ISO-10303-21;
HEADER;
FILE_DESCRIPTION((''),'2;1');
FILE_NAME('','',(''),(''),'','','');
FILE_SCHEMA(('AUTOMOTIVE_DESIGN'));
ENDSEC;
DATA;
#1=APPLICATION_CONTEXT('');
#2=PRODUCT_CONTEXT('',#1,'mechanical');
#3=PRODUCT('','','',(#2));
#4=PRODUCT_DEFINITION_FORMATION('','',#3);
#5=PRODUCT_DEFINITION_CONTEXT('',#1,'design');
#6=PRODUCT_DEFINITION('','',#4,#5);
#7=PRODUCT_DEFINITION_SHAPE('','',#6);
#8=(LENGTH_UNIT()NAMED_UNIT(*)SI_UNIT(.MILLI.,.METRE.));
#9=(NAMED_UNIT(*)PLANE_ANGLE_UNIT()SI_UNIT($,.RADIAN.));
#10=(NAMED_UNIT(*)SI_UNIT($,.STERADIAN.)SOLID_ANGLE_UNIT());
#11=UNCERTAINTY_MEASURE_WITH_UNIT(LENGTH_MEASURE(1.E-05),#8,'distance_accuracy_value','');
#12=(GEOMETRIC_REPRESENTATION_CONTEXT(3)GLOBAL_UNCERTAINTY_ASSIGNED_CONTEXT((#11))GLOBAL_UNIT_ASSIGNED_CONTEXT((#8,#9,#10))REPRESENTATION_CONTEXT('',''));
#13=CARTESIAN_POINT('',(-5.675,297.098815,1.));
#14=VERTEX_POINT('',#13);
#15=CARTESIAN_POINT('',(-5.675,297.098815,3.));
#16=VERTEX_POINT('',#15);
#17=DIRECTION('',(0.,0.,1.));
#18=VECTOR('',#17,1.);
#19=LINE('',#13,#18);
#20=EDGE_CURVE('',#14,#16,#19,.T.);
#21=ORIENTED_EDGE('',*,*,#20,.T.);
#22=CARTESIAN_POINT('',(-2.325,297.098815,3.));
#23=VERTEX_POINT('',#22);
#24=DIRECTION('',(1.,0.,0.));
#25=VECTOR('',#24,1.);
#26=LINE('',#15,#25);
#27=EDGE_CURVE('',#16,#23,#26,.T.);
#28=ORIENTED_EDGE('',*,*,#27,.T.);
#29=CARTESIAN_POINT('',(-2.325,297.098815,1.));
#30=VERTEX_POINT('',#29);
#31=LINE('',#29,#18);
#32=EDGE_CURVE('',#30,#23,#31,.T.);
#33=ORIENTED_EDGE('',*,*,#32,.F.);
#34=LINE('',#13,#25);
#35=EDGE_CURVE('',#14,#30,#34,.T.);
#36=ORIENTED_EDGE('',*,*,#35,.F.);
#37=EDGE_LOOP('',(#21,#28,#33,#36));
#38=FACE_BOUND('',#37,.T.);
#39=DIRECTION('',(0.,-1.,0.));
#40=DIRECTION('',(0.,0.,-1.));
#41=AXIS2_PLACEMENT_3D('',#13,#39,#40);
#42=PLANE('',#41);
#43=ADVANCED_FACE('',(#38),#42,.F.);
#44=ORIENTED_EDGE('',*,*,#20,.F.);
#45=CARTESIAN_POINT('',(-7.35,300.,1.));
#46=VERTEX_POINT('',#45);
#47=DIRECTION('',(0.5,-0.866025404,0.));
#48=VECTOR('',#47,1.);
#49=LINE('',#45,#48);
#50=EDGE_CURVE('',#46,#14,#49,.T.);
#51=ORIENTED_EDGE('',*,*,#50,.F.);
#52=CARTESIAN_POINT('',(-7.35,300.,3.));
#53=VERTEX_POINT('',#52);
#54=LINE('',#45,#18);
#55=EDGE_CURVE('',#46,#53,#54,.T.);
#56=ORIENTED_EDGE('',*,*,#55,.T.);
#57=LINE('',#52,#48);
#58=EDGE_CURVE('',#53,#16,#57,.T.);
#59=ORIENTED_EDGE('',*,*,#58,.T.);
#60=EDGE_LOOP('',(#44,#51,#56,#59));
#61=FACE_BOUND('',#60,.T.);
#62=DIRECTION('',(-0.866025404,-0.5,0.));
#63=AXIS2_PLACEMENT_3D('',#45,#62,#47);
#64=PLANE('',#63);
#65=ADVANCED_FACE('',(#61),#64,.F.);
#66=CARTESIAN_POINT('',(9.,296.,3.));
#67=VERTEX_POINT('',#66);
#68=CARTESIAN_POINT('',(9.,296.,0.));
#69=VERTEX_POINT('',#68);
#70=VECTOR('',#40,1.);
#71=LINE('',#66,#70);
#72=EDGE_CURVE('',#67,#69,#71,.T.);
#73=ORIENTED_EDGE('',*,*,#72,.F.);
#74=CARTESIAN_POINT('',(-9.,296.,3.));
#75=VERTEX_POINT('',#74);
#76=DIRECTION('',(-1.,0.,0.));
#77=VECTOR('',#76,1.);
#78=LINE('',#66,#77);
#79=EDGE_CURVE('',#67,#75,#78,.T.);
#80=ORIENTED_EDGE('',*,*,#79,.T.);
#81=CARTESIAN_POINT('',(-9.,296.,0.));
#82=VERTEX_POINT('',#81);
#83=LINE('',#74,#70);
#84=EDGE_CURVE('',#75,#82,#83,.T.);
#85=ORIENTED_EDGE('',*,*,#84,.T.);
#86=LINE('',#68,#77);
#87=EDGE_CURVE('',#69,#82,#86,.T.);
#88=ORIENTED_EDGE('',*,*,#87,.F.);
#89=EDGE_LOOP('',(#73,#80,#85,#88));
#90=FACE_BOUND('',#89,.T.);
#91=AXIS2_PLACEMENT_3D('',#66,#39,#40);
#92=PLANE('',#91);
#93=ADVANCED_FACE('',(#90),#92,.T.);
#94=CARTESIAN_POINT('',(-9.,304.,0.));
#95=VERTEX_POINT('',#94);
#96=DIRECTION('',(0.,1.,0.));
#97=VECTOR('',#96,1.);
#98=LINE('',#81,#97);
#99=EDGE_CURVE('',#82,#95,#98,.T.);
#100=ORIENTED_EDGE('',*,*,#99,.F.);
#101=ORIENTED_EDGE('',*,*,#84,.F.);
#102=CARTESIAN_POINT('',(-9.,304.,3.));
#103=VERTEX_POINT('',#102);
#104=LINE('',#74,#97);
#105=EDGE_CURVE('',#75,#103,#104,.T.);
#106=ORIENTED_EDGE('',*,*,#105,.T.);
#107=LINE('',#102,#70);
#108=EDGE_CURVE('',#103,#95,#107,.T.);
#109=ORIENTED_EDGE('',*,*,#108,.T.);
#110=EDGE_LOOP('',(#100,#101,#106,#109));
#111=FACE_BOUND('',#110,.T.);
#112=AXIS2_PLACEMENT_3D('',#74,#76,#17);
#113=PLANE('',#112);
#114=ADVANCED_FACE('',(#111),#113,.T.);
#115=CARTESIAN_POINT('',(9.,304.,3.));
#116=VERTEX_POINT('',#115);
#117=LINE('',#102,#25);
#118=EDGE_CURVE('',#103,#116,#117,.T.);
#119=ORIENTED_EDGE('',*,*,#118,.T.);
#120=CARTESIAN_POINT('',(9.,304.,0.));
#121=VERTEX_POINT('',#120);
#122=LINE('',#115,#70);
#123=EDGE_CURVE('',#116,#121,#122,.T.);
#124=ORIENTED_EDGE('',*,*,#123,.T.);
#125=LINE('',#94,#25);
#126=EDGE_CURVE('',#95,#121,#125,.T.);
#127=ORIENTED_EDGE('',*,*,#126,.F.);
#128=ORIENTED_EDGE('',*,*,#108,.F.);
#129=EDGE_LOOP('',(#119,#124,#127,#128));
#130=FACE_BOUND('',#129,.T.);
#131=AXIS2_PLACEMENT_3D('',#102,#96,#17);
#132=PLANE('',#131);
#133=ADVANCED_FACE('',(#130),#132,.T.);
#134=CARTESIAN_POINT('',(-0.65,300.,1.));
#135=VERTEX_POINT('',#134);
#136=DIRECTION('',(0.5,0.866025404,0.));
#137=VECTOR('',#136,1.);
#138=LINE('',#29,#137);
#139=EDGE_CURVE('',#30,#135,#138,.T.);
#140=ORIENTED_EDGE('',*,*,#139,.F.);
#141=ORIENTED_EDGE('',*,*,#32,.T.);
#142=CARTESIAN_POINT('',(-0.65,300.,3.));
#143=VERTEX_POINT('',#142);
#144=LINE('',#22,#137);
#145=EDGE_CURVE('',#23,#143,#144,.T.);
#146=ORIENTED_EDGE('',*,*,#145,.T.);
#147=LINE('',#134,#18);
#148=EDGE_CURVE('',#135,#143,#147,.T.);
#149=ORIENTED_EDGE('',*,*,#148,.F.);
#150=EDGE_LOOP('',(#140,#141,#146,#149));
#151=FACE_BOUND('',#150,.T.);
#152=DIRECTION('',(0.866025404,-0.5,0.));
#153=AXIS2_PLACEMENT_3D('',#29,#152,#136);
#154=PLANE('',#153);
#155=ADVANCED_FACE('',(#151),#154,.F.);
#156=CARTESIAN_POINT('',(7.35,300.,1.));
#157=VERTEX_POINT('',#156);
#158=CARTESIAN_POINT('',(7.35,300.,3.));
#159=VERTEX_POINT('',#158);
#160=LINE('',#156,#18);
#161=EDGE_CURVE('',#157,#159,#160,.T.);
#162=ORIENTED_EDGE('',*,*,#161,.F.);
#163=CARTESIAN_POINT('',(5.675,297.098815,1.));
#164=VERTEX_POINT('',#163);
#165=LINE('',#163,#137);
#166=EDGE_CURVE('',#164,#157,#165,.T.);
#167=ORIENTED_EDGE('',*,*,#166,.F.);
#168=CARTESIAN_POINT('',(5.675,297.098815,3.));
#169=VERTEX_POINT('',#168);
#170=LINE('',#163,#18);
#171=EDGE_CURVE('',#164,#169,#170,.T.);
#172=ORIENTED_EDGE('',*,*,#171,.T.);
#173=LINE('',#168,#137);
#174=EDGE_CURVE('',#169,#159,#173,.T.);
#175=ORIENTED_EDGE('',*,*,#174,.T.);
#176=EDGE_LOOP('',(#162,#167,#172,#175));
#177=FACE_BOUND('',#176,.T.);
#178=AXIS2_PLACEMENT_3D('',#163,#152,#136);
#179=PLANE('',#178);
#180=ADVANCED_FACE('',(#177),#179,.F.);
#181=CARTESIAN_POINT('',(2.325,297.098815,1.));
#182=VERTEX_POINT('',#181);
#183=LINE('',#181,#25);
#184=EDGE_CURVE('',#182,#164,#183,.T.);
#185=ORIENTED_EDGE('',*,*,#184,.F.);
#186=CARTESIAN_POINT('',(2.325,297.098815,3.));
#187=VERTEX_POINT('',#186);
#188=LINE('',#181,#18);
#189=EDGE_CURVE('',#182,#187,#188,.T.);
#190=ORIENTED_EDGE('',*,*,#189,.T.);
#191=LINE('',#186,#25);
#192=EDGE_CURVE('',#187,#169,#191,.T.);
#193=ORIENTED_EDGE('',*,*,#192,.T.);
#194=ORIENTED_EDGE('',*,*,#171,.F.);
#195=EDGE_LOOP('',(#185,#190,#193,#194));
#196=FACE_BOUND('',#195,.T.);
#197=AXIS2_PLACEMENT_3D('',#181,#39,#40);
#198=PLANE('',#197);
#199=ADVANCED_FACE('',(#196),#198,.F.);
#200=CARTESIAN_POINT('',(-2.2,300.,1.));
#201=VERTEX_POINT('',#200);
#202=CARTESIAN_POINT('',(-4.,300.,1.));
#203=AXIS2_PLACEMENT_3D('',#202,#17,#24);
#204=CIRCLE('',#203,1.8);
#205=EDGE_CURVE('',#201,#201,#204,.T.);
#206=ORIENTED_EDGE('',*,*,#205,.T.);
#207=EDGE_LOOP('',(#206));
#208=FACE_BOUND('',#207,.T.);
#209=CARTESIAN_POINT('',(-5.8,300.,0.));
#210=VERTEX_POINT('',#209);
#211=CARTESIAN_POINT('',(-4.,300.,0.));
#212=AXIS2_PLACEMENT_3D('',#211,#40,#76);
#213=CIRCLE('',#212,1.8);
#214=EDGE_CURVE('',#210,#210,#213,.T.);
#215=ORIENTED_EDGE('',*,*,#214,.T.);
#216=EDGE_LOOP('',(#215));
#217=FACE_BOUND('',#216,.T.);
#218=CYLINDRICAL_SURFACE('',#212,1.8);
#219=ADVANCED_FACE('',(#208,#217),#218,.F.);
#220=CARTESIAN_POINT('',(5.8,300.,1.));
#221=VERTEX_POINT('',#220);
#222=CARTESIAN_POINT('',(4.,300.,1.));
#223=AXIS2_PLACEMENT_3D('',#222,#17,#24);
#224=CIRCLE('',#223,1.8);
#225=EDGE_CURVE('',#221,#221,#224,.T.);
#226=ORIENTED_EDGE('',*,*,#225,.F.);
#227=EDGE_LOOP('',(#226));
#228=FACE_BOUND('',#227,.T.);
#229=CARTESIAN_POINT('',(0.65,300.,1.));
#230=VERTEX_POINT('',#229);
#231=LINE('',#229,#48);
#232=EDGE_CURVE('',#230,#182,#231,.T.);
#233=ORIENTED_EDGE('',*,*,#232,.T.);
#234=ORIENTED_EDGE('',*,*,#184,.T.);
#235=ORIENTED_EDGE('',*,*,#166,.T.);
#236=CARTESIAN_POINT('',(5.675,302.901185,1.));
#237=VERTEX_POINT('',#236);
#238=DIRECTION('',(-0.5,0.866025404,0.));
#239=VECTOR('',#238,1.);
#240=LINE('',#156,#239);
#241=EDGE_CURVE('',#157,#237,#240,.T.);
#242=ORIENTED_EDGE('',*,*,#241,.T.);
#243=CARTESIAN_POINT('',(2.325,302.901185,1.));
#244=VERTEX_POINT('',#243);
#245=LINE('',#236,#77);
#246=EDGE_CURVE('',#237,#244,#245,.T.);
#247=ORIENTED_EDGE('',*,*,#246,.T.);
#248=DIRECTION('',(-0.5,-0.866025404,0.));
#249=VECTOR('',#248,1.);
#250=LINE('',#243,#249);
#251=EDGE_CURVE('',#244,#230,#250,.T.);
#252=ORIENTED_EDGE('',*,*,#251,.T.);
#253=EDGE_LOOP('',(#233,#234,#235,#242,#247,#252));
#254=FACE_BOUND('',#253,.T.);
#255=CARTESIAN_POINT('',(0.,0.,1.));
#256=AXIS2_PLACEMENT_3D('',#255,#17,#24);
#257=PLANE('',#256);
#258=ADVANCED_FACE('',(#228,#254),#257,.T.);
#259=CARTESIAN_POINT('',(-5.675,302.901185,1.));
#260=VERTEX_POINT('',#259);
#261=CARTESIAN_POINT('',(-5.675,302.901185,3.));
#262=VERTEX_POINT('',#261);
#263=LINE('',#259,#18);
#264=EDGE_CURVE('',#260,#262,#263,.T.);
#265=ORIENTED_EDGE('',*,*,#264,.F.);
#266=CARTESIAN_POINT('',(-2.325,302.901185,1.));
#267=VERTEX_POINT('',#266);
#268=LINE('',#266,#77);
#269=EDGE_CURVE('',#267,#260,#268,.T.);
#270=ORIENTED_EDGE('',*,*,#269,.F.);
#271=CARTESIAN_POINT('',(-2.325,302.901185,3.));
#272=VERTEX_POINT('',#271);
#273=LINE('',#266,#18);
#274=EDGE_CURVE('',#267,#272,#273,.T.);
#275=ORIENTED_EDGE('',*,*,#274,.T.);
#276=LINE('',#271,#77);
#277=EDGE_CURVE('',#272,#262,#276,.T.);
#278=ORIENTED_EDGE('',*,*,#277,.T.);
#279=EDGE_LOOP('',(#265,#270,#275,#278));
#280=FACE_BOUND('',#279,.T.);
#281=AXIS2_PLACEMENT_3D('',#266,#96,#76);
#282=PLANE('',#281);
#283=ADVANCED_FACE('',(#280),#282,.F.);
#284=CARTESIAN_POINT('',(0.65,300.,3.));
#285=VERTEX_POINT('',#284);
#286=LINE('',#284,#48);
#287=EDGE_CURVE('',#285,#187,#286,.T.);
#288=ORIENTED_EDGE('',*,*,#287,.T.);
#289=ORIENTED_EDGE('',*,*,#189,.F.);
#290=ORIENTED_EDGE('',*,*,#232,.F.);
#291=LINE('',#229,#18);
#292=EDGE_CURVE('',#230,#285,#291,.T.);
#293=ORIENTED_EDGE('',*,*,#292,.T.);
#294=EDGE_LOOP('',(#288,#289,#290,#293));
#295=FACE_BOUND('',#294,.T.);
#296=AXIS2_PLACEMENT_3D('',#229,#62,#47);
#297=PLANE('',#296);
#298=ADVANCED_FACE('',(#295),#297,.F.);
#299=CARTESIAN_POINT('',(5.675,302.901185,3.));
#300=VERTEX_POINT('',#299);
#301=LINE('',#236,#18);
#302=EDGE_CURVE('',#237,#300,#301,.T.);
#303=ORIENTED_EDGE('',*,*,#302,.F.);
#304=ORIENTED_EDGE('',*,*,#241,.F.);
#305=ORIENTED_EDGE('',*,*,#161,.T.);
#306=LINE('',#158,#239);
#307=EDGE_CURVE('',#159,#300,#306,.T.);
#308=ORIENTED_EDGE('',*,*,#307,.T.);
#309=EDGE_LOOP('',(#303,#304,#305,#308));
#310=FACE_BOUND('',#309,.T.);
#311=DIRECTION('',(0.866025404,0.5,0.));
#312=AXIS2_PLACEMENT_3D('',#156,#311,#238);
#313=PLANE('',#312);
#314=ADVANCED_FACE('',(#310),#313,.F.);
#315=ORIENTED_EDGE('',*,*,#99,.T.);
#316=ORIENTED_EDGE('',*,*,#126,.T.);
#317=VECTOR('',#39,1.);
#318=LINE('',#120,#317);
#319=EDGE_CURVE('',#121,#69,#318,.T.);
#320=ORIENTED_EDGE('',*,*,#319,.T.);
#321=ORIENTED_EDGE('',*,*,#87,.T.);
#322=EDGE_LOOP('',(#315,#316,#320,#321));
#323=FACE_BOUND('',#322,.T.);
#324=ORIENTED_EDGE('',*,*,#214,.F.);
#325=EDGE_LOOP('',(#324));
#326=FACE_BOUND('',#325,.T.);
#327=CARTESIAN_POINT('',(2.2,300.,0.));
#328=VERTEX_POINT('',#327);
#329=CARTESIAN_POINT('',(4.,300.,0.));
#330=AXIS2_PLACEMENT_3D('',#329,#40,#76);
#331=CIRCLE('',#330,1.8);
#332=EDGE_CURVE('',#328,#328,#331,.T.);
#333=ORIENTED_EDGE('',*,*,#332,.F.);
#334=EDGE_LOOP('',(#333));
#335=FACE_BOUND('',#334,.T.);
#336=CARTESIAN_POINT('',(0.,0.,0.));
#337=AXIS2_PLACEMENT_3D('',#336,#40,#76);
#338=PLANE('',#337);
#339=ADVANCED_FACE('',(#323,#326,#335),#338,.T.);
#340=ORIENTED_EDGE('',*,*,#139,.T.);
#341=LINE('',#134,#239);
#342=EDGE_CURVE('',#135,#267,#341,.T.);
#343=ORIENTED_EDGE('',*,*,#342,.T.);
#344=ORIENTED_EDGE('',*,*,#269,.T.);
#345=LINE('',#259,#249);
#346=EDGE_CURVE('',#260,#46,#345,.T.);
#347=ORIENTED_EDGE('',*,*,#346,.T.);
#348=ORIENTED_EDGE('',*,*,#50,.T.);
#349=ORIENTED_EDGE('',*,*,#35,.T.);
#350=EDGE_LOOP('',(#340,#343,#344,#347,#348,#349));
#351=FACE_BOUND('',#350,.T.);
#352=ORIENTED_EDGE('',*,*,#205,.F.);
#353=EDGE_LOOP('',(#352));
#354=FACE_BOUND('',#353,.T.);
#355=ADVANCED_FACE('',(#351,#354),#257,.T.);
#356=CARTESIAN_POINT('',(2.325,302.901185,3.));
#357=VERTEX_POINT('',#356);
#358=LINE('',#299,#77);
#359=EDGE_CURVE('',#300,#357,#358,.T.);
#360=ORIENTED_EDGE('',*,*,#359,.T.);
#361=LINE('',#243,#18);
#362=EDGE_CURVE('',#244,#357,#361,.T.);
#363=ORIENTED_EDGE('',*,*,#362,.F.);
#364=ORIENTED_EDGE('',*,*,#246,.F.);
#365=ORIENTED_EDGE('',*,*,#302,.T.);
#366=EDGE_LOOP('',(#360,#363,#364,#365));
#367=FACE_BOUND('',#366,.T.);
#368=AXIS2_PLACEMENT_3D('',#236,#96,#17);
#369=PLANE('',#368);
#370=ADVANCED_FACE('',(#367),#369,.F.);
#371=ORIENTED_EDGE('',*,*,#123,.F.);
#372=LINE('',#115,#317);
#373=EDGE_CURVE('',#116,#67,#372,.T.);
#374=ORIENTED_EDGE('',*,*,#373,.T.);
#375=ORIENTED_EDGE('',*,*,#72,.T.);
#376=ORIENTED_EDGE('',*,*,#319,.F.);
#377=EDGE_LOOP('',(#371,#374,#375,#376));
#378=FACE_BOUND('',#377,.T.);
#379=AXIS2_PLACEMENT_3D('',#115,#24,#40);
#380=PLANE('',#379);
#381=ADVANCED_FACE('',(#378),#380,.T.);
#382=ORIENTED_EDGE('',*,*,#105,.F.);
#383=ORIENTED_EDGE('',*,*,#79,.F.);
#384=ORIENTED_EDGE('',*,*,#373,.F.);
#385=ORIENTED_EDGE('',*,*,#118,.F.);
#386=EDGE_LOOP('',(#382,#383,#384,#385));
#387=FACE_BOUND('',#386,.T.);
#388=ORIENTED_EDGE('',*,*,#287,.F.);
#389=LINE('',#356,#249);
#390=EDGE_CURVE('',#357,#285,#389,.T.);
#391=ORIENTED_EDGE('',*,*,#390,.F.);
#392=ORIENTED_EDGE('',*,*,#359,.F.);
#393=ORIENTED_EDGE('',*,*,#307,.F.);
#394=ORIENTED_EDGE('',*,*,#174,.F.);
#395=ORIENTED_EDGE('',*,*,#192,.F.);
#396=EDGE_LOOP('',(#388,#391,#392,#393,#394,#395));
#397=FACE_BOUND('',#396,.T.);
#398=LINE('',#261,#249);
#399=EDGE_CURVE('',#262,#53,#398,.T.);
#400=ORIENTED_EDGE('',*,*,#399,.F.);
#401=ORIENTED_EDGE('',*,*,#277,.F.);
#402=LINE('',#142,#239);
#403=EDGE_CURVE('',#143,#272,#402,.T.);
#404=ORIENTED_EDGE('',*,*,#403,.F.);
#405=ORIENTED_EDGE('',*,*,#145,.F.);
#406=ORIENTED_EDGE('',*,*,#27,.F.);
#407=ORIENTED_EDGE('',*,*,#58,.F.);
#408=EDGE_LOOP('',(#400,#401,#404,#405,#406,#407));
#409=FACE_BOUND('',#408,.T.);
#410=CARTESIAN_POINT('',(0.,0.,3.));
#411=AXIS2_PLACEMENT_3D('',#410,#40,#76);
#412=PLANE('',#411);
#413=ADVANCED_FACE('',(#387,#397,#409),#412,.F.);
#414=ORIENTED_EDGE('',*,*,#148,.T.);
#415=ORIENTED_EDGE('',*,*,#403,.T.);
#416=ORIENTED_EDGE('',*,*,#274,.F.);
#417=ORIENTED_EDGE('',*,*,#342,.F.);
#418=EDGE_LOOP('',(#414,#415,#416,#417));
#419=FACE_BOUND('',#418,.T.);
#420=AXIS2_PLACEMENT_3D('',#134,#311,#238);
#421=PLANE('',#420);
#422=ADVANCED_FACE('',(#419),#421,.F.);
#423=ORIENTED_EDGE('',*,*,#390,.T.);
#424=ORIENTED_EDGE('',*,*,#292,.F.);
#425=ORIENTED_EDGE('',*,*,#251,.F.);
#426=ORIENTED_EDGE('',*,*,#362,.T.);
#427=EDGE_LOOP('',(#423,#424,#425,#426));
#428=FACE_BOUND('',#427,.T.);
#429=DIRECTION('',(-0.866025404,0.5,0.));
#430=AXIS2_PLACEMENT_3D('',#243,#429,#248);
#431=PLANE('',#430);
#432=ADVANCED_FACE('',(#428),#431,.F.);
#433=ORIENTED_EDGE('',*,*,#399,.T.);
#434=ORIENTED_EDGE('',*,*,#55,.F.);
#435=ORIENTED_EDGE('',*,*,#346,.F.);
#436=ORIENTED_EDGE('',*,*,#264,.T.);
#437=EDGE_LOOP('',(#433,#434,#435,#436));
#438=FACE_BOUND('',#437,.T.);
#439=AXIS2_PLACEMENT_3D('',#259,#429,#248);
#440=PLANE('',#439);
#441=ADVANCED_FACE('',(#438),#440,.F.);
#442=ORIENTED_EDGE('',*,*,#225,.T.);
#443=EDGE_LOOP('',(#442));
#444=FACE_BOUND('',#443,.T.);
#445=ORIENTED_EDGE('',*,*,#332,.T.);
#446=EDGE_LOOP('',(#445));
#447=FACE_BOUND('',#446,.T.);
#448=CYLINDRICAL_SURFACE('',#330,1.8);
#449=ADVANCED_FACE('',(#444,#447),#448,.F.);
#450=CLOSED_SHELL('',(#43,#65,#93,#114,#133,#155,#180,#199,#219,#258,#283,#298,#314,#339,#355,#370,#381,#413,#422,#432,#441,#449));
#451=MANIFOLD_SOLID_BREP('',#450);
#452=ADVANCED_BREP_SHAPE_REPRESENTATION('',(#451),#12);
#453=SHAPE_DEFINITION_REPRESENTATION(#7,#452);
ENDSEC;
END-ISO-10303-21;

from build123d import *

# Parameters (mm, degrees)
SKETCH_1_W                  = 18
SKETCH_1_H                  = 8
EXTRUDE_1_DEPTH             = 3
CUT_EXTRUDE_1_DEPTH         = 2
CUT_EXTRUDE_2_DEPTH         = 2
HOLE_WIZARD_3_6_3_6_1_D     = 3.6
HOLE_WIZARD_3_6_3_6_1_DEPTH = 3


with BuildPart() as part:
    # 草图1 → 凸台-拉伸1 (new body)
    with BuildSketch(Plane(origin=(0, 0, 0), x_dir=(-1, 0, 0), z_dir=(0, 0, -1))):
        with Locations((0, 300)):
            Rectangle(SKETCH_1_W, SKETCH_1_H)
    extrude(amount=-EXTRUDE_1_DEPTH)

    # 草图2 → 切除-拉伸1 (cut)
    with BuildSketch(Plane.XY.offset(3)):
        Polygon((-0.65, 300), (-2.325, 302.901185103), (-5.675, 302.901185103), (-7.35, 300), (-5.675, 297.098814897), (-2.325, 297.098814897), align=None)
    extrude(amount=-CUT_EXTRUDE_1_DEPTH, mode=Mode.SUBTRACT)

    # 草图3 → 切除-拉伸2 (cut)
    with BuildSketch(Plane.XY.offset(3)):
        Polygon((5.675, 297.098814897), (7.35, 300), (5.675, 302.901185103), (2.325, 302.901185103), (0.65, 300), (2.325, 297.098814897), align=None)
    extrude(amount=-CUT_EXTRUDE_2_DEPTH, mode=Mode.SUBTRACT)

    # Ø3.6 (3.6) 直径孔1
    with Locations(Plane(origin=(0, 0, 0), x_dir=(-1, 0, 0), z_dir=(0, 0, -1))):
        with Locations((-4, 300), (4, 300)):
            Hole(HOLE_WIZARD_3_6_3_6_1_D / 2, depth=HOLE_WIZARD_3_6_3_6_1_DEPTH)


solid = part.part
